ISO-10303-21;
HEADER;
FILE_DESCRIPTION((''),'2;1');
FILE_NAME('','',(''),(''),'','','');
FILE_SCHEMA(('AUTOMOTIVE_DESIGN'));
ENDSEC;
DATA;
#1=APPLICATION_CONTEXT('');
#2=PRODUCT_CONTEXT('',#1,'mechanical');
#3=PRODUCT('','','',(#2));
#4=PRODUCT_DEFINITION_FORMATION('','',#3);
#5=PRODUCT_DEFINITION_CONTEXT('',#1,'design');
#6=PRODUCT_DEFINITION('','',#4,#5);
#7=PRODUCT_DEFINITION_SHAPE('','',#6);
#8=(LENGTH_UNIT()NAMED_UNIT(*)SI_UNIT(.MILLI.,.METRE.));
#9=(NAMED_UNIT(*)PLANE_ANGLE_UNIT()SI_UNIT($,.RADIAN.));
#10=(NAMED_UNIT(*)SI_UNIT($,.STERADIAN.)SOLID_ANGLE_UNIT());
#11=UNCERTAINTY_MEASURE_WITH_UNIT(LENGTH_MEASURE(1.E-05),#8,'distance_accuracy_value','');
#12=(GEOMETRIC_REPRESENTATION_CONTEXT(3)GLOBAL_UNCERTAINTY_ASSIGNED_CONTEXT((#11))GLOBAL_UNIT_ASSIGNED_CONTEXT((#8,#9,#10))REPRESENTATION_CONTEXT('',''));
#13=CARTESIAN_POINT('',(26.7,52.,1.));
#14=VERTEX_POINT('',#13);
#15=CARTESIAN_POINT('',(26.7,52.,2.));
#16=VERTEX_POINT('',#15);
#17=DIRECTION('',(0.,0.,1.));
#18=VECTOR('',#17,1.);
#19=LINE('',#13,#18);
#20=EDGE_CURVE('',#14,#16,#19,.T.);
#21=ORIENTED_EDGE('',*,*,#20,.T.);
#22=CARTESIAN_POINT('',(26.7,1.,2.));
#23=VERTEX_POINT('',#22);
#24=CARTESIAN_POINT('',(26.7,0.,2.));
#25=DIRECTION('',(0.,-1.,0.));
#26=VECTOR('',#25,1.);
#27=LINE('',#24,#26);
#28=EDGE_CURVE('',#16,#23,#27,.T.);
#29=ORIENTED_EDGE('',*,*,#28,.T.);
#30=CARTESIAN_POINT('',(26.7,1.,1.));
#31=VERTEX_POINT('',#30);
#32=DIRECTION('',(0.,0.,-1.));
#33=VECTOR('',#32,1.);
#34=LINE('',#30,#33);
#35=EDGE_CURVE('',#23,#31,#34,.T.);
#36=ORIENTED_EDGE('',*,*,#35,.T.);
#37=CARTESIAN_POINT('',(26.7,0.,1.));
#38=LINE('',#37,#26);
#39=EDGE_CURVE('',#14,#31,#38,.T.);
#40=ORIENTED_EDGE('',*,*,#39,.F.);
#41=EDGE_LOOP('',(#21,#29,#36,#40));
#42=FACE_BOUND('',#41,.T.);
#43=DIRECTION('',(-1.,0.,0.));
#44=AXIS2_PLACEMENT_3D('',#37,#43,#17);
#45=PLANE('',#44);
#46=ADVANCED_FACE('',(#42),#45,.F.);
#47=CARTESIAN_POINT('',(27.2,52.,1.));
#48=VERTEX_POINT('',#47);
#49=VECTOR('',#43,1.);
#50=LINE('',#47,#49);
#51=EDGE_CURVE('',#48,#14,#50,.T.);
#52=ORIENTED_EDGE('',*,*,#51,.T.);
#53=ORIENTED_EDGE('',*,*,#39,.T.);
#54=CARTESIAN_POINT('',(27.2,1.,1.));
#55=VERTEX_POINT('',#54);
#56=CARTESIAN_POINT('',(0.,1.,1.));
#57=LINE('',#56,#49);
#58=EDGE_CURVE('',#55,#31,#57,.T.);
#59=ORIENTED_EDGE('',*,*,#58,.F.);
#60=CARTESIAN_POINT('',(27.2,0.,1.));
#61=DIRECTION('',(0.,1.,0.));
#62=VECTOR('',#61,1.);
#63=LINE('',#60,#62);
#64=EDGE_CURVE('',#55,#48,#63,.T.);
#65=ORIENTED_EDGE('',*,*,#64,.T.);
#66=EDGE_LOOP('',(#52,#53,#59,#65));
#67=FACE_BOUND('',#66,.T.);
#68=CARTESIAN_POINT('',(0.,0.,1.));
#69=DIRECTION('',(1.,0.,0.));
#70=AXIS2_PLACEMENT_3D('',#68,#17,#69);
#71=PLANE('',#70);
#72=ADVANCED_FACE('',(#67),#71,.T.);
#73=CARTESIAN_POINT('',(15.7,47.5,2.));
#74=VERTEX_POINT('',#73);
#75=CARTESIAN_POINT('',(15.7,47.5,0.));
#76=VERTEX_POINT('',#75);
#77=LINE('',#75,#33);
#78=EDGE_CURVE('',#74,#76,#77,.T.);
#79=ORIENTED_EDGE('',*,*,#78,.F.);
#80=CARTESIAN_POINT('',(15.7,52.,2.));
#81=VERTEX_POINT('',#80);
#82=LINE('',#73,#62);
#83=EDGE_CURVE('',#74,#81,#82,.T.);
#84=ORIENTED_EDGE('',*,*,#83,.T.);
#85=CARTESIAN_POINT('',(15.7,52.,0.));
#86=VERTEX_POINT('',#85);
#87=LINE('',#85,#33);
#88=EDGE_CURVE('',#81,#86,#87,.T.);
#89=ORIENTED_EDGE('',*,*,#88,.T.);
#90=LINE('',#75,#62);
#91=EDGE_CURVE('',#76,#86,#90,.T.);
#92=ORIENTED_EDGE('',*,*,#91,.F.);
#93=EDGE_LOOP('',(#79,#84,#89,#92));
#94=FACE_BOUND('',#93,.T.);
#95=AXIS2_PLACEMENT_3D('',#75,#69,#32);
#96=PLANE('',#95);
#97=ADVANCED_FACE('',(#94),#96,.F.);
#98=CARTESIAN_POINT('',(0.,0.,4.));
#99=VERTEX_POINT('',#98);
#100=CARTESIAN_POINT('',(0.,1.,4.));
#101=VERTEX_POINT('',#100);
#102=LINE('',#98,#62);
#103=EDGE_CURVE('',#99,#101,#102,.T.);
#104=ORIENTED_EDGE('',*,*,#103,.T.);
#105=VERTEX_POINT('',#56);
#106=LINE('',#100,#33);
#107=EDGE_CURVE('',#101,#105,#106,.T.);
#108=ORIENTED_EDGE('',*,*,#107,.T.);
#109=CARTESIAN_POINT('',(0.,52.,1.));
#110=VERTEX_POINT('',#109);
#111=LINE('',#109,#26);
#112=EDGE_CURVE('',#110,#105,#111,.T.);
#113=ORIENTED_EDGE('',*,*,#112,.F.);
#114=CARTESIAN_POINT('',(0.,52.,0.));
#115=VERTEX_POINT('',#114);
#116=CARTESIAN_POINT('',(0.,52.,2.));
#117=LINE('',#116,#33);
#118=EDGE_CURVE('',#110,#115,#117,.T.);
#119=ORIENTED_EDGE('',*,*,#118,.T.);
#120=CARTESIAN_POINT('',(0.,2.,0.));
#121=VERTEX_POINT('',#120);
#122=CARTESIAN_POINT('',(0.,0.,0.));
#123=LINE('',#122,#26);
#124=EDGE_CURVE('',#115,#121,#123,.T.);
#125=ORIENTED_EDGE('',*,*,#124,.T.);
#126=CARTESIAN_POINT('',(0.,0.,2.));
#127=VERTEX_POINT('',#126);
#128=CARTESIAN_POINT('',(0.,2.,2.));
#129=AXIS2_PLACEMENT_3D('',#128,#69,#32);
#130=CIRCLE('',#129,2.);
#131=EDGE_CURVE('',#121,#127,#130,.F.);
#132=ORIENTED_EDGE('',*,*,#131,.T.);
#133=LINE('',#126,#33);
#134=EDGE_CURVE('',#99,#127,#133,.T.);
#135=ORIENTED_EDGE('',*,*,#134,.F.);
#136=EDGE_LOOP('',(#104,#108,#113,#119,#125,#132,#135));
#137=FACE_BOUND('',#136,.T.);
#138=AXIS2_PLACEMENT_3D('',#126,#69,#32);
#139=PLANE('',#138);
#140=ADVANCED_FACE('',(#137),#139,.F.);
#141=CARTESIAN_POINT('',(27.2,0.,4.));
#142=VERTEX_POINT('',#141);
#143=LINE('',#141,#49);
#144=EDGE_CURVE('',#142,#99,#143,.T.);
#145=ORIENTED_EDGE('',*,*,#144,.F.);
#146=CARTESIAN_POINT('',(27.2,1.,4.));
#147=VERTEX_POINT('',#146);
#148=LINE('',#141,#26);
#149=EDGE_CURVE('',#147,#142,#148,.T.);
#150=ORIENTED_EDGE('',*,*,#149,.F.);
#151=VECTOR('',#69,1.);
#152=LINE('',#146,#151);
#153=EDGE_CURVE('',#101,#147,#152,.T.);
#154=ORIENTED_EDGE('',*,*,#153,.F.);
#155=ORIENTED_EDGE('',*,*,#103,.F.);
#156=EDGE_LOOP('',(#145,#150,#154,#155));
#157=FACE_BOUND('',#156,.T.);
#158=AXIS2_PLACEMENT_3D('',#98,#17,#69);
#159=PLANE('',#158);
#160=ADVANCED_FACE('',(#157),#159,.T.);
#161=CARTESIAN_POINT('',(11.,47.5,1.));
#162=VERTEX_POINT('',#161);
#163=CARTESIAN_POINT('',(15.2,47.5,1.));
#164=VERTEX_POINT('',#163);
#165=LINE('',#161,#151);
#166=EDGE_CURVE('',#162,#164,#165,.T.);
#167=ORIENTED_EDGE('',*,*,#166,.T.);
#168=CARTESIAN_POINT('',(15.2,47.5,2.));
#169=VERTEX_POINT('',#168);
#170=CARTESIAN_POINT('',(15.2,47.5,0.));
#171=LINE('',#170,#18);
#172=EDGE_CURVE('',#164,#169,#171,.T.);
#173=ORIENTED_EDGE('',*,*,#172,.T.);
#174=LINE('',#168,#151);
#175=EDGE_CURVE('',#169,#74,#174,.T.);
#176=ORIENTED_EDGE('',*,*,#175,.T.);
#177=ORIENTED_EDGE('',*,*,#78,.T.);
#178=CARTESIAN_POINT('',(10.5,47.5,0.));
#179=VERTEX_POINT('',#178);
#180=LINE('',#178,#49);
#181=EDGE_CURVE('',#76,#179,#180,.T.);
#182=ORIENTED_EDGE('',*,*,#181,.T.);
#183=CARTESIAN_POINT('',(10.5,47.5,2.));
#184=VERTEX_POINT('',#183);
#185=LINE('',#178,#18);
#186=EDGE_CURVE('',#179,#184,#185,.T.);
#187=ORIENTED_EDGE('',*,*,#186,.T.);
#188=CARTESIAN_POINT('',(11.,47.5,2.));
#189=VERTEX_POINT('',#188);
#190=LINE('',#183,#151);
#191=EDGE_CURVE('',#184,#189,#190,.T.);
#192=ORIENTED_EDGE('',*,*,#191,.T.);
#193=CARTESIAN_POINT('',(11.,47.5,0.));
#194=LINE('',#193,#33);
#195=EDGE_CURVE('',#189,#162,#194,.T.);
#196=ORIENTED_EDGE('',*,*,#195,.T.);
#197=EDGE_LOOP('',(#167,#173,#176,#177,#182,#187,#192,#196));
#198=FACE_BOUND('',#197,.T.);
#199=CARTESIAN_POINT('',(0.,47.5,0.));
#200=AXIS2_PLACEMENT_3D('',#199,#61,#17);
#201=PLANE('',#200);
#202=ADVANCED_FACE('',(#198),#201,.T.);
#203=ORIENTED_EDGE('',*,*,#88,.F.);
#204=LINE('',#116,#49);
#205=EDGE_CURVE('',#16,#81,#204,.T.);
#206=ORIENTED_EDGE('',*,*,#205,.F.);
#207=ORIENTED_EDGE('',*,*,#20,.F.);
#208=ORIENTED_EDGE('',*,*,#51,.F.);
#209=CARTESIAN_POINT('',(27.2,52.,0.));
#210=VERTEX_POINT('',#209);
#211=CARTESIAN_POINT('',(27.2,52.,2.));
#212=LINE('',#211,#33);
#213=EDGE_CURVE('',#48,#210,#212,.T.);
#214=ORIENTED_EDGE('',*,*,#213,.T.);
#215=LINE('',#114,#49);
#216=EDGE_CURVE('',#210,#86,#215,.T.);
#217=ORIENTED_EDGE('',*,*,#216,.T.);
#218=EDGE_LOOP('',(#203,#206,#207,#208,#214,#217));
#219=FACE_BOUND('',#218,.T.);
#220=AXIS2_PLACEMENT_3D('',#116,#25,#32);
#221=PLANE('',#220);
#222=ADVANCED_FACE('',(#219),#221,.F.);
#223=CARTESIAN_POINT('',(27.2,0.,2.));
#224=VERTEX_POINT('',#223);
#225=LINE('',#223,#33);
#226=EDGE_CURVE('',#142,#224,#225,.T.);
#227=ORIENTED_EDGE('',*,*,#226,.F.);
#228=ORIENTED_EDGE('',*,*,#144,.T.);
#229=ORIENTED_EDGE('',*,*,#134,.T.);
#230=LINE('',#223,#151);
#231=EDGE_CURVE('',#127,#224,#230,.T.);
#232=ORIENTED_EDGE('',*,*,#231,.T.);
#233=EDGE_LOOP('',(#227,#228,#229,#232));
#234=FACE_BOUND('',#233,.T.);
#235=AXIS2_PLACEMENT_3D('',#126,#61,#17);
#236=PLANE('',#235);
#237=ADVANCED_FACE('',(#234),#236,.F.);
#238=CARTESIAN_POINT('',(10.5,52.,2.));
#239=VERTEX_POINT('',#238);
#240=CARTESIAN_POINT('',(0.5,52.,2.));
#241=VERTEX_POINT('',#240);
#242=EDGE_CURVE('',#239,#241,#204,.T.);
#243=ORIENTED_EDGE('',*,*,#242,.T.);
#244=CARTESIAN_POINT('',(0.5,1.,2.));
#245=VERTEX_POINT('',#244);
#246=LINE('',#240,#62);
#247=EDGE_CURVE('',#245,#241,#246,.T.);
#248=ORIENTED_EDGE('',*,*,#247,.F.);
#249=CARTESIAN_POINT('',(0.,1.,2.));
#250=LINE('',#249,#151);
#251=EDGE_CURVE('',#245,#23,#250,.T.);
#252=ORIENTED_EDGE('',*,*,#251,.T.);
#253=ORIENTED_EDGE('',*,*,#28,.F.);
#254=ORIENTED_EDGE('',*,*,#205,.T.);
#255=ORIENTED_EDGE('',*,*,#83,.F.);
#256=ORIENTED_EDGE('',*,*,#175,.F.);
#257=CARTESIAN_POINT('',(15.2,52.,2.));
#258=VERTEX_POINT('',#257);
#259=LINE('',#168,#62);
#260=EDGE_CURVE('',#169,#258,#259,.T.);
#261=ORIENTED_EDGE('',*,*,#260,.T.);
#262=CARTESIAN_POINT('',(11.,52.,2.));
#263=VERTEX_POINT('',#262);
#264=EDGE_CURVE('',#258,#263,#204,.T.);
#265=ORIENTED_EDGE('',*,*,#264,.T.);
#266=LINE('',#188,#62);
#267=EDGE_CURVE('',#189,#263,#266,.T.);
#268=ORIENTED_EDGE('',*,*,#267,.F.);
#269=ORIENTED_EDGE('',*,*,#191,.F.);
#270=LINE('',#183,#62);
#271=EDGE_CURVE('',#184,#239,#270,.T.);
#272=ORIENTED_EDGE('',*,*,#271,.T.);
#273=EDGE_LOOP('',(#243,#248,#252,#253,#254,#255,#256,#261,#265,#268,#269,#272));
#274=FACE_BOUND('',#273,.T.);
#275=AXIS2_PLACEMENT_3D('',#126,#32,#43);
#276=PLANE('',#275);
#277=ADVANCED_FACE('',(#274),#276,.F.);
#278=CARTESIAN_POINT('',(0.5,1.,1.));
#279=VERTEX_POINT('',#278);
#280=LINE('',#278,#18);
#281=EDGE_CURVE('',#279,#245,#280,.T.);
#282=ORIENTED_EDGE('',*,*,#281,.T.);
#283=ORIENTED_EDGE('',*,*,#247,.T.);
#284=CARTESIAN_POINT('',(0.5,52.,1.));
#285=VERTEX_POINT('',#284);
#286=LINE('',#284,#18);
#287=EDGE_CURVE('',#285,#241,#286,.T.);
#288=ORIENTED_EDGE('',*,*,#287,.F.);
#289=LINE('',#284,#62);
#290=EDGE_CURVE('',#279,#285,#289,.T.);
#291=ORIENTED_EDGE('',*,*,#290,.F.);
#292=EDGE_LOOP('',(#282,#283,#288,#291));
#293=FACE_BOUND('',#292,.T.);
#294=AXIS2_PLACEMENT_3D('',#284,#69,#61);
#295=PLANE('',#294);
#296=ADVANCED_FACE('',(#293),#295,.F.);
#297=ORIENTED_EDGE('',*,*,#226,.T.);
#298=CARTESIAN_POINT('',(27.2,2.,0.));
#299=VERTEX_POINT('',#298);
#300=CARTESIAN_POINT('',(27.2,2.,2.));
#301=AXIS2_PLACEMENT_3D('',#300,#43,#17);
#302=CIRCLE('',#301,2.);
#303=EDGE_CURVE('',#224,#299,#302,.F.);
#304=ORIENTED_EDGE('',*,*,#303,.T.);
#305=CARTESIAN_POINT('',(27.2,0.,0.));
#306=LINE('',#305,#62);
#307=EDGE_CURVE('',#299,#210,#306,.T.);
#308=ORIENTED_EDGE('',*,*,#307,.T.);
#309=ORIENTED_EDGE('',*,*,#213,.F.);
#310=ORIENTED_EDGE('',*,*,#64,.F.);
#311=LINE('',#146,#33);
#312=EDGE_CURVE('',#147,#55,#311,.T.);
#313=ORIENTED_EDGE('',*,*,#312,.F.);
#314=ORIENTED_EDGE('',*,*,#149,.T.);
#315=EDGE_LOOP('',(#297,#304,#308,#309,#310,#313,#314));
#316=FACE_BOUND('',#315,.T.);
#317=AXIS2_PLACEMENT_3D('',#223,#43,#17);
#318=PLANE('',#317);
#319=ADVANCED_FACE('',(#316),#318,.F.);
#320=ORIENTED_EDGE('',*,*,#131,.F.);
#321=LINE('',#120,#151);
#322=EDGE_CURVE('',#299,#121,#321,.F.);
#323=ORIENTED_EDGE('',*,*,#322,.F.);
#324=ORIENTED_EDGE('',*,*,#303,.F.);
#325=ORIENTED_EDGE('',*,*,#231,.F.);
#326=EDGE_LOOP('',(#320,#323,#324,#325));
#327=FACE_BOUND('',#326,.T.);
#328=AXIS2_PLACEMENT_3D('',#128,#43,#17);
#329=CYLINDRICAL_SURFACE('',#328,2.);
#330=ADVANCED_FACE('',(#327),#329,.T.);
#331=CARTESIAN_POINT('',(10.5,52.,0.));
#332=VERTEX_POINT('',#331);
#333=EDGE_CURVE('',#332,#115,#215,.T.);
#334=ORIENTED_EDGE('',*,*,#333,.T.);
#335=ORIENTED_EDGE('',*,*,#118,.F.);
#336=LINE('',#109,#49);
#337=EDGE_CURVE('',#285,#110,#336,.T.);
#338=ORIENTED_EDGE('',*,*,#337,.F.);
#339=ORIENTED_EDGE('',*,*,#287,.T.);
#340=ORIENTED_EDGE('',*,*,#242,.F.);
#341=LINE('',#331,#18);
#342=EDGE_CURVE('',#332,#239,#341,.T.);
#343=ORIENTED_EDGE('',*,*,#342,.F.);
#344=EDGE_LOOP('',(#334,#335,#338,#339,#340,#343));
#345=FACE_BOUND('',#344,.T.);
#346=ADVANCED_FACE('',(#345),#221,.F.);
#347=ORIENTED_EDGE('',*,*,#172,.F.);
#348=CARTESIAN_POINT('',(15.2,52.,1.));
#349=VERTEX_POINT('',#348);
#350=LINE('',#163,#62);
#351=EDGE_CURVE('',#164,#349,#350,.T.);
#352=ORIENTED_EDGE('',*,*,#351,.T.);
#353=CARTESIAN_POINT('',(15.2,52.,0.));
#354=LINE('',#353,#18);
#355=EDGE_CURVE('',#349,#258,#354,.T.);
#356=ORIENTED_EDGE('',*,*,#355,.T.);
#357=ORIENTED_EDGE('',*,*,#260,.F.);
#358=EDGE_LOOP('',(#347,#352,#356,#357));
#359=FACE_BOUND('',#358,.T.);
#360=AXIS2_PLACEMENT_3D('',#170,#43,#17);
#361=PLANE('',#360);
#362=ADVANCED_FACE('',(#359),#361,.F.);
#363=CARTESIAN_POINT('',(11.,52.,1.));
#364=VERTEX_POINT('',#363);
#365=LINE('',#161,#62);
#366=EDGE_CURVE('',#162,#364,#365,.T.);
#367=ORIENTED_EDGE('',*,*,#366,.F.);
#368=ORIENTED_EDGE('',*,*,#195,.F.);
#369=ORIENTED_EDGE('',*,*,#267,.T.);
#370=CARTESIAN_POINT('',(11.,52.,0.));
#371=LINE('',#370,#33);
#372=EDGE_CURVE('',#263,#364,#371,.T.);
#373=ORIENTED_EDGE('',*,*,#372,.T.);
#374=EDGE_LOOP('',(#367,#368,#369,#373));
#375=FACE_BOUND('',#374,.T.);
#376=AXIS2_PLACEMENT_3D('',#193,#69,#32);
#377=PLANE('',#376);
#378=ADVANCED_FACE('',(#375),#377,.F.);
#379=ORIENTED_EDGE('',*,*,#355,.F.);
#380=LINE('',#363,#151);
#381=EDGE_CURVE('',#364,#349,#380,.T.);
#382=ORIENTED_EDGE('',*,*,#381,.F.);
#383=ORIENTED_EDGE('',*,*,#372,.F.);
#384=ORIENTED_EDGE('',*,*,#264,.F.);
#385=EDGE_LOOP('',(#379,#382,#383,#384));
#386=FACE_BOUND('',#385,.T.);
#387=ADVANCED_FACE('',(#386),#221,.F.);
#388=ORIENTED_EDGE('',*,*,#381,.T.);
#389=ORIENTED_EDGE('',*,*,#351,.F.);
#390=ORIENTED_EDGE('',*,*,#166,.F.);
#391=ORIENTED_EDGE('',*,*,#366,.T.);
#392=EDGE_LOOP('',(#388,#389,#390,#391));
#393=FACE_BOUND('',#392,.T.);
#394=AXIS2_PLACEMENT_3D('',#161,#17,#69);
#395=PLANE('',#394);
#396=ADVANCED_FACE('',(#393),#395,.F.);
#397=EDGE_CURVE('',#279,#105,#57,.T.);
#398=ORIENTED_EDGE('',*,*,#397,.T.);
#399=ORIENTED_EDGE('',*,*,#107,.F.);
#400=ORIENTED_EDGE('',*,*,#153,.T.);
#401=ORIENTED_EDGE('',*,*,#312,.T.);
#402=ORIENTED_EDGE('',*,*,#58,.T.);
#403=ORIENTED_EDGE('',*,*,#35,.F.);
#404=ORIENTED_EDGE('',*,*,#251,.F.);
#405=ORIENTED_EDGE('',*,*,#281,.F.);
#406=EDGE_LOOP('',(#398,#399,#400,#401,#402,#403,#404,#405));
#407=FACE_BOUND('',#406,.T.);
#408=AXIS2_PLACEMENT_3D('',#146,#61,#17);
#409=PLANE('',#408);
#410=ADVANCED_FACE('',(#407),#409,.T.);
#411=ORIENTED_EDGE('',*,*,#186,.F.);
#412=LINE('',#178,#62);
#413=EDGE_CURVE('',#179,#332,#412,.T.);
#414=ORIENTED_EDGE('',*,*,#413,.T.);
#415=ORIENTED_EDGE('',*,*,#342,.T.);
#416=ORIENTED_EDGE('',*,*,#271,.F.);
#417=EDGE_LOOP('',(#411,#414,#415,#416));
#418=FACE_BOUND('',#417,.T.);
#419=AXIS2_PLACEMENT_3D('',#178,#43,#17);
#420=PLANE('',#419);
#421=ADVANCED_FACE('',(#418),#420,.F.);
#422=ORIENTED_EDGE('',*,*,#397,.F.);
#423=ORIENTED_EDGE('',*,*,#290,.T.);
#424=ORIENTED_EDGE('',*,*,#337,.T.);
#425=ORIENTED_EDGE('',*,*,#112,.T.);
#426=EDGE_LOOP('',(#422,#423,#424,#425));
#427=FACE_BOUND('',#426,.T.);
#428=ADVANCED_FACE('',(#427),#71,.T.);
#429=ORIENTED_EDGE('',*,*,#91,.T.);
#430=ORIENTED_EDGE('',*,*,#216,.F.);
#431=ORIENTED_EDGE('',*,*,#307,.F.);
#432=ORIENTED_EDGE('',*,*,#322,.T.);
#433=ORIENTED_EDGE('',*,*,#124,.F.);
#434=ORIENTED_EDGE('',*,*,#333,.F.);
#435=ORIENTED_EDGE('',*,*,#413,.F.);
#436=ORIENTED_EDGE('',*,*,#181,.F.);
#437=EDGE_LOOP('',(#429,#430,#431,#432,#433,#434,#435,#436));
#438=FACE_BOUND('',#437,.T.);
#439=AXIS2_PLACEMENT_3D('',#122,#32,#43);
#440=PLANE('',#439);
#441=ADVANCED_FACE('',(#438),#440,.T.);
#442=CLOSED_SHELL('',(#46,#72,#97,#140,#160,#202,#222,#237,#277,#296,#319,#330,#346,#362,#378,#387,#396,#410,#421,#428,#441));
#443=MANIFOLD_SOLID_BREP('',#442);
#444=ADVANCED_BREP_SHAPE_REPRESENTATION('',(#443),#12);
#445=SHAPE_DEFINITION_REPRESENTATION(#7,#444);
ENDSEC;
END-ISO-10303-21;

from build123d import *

# Parameters (mm, degrees)
SKETCH1_W           = 27.2
SKETCH1_H           = 52
BOSS_EXTRUDE1_DEPTH = 2
SKETCH2_W           = 0.5
SKETCH2_H           = 52
CUT_EXTRUDE1_DEPTH  = 1
SKETCH3_W           = 0.5
SKETCH3_H           = 52
CUT_EXTRUDE2_DEPTH  = 1
SKETCH4_W           = 0.5
SKETCH4_H           = 2
CUT_EXTRUDE3_DEPTH  = 4.5
SKETCH5_W           = 0.5
SKETCH5_H           = 2
CUT_EXTRUDE4_DEPTH  = 4.5
SKETCH6_W           = 4.2
SKETCH6_H           = 1
CUT_EXTRUDE5_DEPTH  = 4.5
SKETCH9_W           = 27.2
SKETCH9_H           = 1
BOSS_EXTRUDE3_DEPTH = 4
FILLET1_R           = 2


with BuildPart() as part:
    # Sketch1 → Boss-Extrude1 (new body)
    with BuildSketch(Plane.XY):
        with Locations((13.6, 26)):
            Rectangle(SKETCH1_W, SKETCH1_H)
    extrude(amount=BOSS_EXTRUDE1_DEPTH)

    # Sketch2 → Cut-Extrude1 (cut)
    with BuildSketch(Plane.XY.offset(2)):
        with Locations((0.25, 26)):
            Rectangle(SKETCH2_W, SKETCH2_H)
    extrude(amount=-CUT_EXTRUDE1_DEPTH, mode=Mode.SUBTRACT)

    # Sketch3 → Cut-Extrude2 (cut)
    with BuildSketch(Plane.XY.offset(2)):
        with Locations((26.95, 26)):
            Rectangle(SKETCH3_W, SKETCH3_H)
    extrude(amount=-CUT_EXTRUDE2_DEPTH, mode=Mode.SUBTRACT)

    # Sketch4 → Cut-Extrude3 (cut)
    with BuildSketch(Plane(origin=(0, 52, 0), x_dir=(1, 0, 0), z_dir=(0, 1, 0))):
        with Locations((10.75, -1)):
            Rectangle(SKETCH4_W, SKETCH4_H)
    extrude(amount=-CUT_EXTRUDE3_DEPTH, mode=Mode.SUBTRACT)

    # Sketch5 → Cut-Extrude4 (cut)
    with BuildSketch(Plane(origin=(0, 52, 0), x_dir=(1, 0, 0), z_dir=(0, 1, 0))):
        with Locations((15.45, -1)):
            Rectangle(SKETCH5_W, SKETCH5_H)
    extrude(amount=-CUT_EXTRUDE4_DEPTH, mode=Mode.SUBTRACT)

    # Sketch6 → Cut-Extrude5 (cut)
    with BuildSketch(Plane(origin=(0, 52, 0), x_dir=(1, 0, 0), z_dir=(0, 1, 0))):
        with Locations((13.1, -0.5)):
            Rectangle(SKETCH6_W, SKETCH6_H)
    extrude(amount=-CUT_EXTRUDE5_DEPTH, mode=Mode.SUBTRACT)

    # Sketch9 → Boss-Extrude3 (add)
    with BuildSketch(Plane(origin=(0, 0, 0), x_dir=(-1, 0, 0), z_dir=(0, 0, -1))):
        with Locations((-13.6, 0.5)):
            Rectangle(SKETCH9_W, SKETCH9_H)
    extrude(amount=-BOSS_EXTRUDE3_DEPTH)

    # Fillet1
    fillet1_edges = [part.edges().sort_by_distance(p)[0] for p in [
        (13.6, 0, 0),
    ]]
    fillet(fillet1_edges, radius=FILLET1_R)


solid = part.part
